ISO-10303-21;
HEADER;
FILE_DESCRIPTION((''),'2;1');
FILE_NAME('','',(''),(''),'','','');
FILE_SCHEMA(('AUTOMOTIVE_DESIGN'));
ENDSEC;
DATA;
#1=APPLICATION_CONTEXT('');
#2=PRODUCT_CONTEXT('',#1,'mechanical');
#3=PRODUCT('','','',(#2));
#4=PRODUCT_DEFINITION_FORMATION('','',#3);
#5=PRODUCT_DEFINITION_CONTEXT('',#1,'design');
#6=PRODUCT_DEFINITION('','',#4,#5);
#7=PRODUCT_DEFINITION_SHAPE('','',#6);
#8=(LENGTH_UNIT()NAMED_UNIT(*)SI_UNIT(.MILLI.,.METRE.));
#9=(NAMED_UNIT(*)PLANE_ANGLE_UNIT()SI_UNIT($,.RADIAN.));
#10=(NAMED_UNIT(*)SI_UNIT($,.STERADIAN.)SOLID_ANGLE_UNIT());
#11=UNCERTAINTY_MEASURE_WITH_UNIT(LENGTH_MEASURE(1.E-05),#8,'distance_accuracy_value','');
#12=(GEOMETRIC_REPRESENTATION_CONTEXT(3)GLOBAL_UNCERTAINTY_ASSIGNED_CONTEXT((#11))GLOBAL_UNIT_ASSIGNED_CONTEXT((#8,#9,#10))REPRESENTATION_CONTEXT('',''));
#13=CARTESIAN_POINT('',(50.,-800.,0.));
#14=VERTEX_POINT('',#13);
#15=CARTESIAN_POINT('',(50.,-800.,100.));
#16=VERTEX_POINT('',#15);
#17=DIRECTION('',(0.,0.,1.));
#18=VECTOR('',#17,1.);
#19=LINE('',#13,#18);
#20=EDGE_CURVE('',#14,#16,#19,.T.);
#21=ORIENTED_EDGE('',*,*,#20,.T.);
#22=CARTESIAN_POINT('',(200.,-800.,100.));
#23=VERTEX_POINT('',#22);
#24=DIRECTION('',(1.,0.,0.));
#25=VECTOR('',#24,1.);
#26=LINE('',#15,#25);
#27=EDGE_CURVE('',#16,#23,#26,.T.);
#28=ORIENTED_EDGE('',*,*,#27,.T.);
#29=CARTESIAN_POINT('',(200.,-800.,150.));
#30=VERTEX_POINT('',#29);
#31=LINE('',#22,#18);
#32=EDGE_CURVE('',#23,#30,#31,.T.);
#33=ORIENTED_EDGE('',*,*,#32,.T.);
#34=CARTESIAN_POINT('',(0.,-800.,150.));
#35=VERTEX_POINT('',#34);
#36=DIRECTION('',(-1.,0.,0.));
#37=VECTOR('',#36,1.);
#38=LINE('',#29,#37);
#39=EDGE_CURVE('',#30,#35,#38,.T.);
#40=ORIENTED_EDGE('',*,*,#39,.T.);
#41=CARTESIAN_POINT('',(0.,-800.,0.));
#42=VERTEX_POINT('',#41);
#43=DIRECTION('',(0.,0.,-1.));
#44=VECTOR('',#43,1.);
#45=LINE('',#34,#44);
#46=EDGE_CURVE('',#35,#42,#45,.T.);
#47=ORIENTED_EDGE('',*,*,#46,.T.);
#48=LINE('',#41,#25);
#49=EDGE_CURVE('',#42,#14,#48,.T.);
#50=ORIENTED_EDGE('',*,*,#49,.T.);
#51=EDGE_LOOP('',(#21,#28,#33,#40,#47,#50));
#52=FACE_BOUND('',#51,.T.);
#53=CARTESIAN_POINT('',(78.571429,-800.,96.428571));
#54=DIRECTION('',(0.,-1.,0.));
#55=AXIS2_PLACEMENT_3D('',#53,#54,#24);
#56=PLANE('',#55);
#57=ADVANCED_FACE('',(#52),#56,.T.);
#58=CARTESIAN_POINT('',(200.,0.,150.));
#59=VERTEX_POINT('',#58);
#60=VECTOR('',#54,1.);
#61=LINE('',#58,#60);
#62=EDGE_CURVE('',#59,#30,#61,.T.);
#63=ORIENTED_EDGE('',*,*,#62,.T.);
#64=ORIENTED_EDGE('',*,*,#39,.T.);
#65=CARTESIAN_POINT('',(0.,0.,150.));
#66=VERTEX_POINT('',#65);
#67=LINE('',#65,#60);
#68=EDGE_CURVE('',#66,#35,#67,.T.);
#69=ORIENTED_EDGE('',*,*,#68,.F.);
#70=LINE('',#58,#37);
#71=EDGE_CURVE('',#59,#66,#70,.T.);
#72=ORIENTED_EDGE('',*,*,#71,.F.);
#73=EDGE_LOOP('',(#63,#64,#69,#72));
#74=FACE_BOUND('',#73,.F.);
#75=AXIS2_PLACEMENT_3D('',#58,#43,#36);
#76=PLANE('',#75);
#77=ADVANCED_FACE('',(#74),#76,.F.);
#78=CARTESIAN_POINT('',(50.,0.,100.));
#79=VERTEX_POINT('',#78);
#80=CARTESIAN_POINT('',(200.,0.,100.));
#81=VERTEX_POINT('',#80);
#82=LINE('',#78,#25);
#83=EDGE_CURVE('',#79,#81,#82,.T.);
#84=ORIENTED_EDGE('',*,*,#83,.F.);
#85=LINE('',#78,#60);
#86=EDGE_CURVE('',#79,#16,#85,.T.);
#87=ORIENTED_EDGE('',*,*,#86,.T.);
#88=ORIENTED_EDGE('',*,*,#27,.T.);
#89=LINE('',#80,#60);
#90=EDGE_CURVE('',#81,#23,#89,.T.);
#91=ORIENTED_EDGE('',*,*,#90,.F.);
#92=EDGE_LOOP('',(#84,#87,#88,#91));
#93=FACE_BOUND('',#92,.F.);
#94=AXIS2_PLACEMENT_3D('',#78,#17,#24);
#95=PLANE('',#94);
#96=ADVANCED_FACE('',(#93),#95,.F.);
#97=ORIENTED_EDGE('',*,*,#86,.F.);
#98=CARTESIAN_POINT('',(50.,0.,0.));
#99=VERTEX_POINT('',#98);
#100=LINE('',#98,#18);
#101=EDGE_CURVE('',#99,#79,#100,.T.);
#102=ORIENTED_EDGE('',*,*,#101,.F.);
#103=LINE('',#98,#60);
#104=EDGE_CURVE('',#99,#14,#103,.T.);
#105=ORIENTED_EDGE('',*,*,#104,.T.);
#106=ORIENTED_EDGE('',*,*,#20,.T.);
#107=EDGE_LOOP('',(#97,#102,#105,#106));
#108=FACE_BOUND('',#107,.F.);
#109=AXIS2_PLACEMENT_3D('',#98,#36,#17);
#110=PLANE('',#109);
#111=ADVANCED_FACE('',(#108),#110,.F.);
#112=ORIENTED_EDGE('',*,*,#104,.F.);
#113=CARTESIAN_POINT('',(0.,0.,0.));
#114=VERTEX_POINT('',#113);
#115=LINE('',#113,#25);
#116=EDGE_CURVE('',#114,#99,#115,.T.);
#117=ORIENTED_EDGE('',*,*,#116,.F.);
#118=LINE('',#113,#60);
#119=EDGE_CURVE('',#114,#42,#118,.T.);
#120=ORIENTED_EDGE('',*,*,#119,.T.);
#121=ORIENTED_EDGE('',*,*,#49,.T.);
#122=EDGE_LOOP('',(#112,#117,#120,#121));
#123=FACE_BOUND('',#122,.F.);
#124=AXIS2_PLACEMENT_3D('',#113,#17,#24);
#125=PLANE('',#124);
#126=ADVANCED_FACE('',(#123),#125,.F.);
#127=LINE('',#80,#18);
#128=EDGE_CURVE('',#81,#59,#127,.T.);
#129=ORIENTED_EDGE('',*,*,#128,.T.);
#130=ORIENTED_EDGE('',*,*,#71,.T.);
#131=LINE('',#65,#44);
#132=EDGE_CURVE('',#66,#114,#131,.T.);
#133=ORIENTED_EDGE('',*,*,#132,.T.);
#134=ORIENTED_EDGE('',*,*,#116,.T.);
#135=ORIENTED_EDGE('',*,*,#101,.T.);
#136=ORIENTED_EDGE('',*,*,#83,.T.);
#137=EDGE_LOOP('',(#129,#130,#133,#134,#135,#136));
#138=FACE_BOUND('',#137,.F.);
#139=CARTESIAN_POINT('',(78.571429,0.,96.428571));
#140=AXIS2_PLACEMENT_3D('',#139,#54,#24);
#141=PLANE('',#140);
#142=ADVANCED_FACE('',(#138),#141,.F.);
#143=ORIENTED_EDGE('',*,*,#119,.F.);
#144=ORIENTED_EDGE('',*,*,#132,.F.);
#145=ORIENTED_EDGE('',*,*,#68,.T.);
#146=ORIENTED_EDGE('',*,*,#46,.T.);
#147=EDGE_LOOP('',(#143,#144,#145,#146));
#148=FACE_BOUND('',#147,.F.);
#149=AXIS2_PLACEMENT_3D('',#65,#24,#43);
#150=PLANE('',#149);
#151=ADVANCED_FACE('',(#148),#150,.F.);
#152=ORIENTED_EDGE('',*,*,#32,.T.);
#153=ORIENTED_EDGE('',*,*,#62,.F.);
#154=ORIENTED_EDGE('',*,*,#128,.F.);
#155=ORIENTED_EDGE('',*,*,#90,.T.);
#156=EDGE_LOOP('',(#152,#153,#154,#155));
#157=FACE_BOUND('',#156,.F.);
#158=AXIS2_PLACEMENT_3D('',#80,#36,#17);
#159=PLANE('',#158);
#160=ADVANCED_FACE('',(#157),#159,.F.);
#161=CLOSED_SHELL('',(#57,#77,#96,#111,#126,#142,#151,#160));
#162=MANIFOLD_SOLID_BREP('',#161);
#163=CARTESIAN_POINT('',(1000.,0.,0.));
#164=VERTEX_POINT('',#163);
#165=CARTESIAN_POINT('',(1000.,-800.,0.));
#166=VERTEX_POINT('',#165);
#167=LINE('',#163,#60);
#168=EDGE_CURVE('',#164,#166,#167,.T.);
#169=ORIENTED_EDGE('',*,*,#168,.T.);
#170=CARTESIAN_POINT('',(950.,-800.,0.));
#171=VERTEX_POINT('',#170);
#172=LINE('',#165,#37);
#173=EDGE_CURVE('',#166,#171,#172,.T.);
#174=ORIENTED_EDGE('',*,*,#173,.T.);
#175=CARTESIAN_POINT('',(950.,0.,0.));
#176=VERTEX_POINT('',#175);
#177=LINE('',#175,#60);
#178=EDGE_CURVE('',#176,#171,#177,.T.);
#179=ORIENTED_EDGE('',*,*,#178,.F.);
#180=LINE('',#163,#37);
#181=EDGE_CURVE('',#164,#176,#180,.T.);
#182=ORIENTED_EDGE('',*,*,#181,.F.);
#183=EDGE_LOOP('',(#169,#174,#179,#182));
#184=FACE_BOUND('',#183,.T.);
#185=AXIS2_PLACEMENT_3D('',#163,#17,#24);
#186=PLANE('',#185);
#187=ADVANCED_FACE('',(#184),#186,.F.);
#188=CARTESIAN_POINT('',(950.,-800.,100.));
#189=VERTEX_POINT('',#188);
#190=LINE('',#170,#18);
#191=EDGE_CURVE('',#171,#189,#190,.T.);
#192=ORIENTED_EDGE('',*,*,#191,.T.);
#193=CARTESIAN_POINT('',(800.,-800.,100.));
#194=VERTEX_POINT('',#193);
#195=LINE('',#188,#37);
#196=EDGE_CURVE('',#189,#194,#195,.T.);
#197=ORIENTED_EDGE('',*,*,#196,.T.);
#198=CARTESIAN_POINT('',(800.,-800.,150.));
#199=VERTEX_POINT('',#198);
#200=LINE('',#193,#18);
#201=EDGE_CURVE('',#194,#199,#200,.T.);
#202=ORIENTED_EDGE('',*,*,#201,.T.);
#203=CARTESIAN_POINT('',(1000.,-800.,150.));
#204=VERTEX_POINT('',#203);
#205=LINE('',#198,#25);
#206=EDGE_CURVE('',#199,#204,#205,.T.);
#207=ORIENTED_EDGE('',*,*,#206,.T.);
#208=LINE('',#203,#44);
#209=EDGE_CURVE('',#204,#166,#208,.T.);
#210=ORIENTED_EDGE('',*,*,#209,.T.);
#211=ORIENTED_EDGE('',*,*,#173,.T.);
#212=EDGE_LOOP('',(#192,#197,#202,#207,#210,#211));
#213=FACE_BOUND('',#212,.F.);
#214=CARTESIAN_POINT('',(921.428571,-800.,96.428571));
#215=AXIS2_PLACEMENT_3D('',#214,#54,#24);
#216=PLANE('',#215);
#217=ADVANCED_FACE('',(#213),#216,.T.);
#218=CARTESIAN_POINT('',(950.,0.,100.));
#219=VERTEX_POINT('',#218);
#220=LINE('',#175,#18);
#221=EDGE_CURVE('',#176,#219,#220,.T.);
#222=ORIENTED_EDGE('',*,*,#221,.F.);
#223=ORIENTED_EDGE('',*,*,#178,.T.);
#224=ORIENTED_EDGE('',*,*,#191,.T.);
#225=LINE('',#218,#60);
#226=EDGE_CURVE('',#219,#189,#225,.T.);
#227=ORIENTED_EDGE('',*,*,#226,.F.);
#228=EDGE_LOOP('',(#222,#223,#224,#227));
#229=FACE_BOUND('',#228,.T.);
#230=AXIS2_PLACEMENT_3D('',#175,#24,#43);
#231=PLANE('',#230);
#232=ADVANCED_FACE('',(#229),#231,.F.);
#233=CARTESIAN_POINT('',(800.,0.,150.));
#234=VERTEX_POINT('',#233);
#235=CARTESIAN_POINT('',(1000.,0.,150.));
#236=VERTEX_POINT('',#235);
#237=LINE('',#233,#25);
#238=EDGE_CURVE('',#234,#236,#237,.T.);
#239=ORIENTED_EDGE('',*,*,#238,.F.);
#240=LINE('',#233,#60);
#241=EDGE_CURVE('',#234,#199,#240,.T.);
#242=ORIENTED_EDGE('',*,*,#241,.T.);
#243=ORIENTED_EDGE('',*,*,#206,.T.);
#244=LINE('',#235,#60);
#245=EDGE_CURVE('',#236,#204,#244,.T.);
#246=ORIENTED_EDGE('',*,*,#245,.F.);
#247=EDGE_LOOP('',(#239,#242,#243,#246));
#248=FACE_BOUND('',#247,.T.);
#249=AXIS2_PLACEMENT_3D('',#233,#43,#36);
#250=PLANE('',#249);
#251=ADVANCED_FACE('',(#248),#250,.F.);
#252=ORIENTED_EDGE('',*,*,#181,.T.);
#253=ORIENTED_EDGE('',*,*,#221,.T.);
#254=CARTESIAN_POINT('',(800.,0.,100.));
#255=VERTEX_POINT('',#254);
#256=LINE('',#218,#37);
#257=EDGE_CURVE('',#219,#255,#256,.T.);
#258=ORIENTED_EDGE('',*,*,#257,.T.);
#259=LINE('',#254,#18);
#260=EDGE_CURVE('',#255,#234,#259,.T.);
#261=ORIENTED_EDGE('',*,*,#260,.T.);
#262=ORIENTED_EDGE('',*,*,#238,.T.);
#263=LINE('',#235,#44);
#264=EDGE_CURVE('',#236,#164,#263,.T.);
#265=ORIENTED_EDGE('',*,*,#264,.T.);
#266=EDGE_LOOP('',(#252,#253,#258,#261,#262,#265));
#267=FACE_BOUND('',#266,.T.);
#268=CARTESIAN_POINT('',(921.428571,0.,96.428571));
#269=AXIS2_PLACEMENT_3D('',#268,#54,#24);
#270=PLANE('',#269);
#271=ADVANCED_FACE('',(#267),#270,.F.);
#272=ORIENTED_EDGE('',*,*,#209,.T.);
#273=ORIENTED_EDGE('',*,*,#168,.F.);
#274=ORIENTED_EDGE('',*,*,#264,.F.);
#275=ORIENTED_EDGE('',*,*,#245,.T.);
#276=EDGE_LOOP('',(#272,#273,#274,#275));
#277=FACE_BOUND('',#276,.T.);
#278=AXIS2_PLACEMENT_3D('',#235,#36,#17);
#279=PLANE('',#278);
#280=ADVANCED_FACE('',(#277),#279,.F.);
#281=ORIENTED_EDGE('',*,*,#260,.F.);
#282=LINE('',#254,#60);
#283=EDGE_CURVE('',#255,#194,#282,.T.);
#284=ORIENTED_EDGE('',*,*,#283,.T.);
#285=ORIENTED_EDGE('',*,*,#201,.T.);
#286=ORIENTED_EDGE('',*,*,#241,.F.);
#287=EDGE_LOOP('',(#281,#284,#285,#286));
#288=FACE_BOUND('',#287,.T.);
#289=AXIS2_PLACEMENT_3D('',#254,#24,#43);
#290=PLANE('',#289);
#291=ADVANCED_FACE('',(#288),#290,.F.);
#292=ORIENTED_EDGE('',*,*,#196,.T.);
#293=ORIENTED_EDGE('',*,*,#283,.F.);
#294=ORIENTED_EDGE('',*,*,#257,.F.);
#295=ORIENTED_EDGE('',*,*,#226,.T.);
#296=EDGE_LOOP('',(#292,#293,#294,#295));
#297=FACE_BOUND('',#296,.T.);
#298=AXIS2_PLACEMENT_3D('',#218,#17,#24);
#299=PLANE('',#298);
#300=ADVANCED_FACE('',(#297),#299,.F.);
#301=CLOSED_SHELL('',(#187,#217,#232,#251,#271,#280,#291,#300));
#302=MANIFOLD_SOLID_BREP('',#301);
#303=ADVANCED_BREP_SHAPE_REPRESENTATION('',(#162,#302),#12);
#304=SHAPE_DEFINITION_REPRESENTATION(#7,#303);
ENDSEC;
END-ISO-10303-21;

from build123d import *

# Parameters (mm, degrees)
F1_DEPTH = 800


with BuildPart() as f1:
    # F0 (on Front) → F1 (new body)
    with BuildSketch(Plane.XZ):
        Polygon((0, 150), (0, 0), (50, 0), (50, 100), (200, 100), (200, 150), align=None)
    extrude(amount=F1_DEPTH)


with BuildPart() as f3_1:
    # F3: instance of F1
    add(f1.part.mirror(Plane(origin=(500, -400, 125), x_dir=(0, 1, 0), z_dir=(1, 0, 0))))


solid = Compound([f1.part, f3_1.part])
